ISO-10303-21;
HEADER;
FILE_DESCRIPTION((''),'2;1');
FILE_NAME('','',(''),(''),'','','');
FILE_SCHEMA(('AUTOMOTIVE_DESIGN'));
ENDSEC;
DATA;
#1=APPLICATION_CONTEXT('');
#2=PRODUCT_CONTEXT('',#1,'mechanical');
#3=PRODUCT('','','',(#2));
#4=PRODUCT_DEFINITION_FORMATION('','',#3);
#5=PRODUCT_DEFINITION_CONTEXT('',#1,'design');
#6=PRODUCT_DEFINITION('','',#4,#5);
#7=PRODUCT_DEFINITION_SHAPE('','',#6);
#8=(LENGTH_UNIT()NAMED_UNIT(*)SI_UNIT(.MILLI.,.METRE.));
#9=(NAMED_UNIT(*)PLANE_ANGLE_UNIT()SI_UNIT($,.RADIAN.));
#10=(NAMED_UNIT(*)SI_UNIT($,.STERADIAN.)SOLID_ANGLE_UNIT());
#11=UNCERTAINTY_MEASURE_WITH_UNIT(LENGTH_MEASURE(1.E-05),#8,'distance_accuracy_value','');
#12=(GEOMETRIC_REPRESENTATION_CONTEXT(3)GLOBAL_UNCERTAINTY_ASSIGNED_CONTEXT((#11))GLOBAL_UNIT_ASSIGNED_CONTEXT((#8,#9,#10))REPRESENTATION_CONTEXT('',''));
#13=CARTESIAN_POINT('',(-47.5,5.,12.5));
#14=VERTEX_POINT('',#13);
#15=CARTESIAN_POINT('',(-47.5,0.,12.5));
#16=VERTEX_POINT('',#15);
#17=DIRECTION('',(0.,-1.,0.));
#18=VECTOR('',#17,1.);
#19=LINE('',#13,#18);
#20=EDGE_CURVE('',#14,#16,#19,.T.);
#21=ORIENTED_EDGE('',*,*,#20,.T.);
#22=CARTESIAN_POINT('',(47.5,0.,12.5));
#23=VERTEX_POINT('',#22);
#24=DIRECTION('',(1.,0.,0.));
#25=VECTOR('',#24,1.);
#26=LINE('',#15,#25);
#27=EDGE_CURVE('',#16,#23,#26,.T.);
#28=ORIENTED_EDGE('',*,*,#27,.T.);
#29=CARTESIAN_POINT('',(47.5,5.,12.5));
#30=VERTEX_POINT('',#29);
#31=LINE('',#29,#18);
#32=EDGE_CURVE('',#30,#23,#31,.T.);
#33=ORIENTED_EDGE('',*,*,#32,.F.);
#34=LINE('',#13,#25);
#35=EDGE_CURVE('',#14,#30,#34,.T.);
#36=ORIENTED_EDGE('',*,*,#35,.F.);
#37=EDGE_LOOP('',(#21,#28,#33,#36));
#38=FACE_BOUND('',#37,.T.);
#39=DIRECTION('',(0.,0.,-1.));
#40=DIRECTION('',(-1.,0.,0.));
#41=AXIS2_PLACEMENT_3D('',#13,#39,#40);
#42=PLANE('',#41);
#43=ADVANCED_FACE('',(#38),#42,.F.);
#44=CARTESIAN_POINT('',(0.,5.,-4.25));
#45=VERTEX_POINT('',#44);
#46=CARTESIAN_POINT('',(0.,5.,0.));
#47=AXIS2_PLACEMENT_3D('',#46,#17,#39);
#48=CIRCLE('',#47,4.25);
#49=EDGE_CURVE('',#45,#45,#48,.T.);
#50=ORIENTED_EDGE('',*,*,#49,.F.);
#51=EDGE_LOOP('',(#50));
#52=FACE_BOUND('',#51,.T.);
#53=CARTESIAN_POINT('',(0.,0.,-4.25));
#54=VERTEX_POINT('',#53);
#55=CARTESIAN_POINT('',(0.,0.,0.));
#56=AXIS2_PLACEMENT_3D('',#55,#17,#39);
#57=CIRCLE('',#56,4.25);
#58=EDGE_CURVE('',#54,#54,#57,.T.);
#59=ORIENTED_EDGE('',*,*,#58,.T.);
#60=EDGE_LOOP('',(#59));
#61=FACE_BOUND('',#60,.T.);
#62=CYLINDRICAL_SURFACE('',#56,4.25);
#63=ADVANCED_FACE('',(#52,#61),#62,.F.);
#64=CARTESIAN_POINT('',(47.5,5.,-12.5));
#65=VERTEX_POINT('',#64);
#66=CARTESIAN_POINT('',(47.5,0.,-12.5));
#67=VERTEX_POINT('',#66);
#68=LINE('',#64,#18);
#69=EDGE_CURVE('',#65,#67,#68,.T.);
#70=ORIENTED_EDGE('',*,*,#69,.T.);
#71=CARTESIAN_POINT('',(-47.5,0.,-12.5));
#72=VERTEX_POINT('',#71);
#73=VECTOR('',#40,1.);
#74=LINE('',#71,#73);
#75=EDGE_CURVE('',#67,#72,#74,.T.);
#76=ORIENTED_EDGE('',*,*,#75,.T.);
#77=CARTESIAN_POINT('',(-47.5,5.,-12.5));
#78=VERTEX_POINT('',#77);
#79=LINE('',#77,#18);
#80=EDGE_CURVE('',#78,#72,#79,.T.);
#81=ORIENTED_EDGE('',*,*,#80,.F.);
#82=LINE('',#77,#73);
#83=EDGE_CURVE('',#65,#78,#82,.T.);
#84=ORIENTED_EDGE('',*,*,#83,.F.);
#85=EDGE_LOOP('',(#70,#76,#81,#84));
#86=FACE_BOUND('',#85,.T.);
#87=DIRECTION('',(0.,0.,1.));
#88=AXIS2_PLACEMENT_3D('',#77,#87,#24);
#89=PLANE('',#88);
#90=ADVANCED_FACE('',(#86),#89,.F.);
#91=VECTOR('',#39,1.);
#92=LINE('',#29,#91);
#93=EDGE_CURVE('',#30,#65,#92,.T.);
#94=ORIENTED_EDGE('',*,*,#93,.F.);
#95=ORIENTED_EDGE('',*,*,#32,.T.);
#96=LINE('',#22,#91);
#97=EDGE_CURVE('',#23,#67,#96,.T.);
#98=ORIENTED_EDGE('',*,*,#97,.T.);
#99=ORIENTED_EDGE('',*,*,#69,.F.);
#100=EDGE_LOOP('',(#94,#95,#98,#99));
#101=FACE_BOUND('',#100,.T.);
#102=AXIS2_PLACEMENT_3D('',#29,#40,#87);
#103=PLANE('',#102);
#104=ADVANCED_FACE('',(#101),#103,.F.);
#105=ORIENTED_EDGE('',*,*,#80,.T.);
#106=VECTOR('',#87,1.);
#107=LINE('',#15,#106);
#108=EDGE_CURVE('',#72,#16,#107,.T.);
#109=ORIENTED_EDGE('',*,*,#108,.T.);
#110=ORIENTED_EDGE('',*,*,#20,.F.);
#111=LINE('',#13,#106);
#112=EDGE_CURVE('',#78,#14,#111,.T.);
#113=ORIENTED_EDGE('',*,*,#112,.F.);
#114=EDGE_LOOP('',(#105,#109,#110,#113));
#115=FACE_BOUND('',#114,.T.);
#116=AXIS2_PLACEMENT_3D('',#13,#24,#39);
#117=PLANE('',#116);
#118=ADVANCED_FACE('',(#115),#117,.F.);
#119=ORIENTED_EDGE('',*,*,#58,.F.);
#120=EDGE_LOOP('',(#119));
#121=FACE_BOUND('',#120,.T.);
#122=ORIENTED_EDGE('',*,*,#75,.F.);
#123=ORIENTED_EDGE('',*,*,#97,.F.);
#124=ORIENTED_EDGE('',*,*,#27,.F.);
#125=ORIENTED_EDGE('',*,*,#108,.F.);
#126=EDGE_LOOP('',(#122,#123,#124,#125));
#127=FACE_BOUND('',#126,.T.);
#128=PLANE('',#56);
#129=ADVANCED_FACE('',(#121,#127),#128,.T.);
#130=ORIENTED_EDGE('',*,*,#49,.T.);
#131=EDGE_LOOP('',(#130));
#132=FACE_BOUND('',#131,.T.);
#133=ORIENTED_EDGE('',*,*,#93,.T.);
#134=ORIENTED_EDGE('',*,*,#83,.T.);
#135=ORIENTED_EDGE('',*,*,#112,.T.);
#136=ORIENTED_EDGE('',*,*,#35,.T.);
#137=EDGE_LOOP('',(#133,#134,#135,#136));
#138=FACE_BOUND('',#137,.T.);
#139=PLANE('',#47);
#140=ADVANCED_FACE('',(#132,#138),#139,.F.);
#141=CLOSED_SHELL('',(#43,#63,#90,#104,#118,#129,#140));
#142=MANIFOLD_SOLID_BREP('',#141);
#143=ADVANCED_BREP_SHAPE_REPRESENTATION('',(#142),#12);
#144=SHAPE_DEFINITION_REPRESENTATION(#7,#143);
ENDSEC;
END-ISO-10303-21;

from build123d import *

# Parameters (mm, degrees)
SKETCH_1_W          = 95
SKETCH_1_H          = 25
EXTRUDE_1_DEPTH     = 5
HOLE_WIZARD_M10_1_D = 8.5


with BuildPart() as part:
    # 草图1 → 凸台-拉伸1 (new body)
    with BuildSketch(Plane(origin=(0, 0, 0), x_dir=(1, 0, 0), z_dir=(0, 1, 0))):
        Rectangle(SKETCH_1_W, SKETCH_1_H)
    extrude(amount=EXTRUDE_1_DEPTH)

    # M10 螺纹孔1 (through all)
    with Locations(Plane(origin=(0, 0, 0), x_dir=(-1, 0, 0), z_dir=(0, -1, 0))):
        with Locations((0, 0)):
            Hole(HOLE_WIZARD_M10_1_D / 2)


solid = part.part
